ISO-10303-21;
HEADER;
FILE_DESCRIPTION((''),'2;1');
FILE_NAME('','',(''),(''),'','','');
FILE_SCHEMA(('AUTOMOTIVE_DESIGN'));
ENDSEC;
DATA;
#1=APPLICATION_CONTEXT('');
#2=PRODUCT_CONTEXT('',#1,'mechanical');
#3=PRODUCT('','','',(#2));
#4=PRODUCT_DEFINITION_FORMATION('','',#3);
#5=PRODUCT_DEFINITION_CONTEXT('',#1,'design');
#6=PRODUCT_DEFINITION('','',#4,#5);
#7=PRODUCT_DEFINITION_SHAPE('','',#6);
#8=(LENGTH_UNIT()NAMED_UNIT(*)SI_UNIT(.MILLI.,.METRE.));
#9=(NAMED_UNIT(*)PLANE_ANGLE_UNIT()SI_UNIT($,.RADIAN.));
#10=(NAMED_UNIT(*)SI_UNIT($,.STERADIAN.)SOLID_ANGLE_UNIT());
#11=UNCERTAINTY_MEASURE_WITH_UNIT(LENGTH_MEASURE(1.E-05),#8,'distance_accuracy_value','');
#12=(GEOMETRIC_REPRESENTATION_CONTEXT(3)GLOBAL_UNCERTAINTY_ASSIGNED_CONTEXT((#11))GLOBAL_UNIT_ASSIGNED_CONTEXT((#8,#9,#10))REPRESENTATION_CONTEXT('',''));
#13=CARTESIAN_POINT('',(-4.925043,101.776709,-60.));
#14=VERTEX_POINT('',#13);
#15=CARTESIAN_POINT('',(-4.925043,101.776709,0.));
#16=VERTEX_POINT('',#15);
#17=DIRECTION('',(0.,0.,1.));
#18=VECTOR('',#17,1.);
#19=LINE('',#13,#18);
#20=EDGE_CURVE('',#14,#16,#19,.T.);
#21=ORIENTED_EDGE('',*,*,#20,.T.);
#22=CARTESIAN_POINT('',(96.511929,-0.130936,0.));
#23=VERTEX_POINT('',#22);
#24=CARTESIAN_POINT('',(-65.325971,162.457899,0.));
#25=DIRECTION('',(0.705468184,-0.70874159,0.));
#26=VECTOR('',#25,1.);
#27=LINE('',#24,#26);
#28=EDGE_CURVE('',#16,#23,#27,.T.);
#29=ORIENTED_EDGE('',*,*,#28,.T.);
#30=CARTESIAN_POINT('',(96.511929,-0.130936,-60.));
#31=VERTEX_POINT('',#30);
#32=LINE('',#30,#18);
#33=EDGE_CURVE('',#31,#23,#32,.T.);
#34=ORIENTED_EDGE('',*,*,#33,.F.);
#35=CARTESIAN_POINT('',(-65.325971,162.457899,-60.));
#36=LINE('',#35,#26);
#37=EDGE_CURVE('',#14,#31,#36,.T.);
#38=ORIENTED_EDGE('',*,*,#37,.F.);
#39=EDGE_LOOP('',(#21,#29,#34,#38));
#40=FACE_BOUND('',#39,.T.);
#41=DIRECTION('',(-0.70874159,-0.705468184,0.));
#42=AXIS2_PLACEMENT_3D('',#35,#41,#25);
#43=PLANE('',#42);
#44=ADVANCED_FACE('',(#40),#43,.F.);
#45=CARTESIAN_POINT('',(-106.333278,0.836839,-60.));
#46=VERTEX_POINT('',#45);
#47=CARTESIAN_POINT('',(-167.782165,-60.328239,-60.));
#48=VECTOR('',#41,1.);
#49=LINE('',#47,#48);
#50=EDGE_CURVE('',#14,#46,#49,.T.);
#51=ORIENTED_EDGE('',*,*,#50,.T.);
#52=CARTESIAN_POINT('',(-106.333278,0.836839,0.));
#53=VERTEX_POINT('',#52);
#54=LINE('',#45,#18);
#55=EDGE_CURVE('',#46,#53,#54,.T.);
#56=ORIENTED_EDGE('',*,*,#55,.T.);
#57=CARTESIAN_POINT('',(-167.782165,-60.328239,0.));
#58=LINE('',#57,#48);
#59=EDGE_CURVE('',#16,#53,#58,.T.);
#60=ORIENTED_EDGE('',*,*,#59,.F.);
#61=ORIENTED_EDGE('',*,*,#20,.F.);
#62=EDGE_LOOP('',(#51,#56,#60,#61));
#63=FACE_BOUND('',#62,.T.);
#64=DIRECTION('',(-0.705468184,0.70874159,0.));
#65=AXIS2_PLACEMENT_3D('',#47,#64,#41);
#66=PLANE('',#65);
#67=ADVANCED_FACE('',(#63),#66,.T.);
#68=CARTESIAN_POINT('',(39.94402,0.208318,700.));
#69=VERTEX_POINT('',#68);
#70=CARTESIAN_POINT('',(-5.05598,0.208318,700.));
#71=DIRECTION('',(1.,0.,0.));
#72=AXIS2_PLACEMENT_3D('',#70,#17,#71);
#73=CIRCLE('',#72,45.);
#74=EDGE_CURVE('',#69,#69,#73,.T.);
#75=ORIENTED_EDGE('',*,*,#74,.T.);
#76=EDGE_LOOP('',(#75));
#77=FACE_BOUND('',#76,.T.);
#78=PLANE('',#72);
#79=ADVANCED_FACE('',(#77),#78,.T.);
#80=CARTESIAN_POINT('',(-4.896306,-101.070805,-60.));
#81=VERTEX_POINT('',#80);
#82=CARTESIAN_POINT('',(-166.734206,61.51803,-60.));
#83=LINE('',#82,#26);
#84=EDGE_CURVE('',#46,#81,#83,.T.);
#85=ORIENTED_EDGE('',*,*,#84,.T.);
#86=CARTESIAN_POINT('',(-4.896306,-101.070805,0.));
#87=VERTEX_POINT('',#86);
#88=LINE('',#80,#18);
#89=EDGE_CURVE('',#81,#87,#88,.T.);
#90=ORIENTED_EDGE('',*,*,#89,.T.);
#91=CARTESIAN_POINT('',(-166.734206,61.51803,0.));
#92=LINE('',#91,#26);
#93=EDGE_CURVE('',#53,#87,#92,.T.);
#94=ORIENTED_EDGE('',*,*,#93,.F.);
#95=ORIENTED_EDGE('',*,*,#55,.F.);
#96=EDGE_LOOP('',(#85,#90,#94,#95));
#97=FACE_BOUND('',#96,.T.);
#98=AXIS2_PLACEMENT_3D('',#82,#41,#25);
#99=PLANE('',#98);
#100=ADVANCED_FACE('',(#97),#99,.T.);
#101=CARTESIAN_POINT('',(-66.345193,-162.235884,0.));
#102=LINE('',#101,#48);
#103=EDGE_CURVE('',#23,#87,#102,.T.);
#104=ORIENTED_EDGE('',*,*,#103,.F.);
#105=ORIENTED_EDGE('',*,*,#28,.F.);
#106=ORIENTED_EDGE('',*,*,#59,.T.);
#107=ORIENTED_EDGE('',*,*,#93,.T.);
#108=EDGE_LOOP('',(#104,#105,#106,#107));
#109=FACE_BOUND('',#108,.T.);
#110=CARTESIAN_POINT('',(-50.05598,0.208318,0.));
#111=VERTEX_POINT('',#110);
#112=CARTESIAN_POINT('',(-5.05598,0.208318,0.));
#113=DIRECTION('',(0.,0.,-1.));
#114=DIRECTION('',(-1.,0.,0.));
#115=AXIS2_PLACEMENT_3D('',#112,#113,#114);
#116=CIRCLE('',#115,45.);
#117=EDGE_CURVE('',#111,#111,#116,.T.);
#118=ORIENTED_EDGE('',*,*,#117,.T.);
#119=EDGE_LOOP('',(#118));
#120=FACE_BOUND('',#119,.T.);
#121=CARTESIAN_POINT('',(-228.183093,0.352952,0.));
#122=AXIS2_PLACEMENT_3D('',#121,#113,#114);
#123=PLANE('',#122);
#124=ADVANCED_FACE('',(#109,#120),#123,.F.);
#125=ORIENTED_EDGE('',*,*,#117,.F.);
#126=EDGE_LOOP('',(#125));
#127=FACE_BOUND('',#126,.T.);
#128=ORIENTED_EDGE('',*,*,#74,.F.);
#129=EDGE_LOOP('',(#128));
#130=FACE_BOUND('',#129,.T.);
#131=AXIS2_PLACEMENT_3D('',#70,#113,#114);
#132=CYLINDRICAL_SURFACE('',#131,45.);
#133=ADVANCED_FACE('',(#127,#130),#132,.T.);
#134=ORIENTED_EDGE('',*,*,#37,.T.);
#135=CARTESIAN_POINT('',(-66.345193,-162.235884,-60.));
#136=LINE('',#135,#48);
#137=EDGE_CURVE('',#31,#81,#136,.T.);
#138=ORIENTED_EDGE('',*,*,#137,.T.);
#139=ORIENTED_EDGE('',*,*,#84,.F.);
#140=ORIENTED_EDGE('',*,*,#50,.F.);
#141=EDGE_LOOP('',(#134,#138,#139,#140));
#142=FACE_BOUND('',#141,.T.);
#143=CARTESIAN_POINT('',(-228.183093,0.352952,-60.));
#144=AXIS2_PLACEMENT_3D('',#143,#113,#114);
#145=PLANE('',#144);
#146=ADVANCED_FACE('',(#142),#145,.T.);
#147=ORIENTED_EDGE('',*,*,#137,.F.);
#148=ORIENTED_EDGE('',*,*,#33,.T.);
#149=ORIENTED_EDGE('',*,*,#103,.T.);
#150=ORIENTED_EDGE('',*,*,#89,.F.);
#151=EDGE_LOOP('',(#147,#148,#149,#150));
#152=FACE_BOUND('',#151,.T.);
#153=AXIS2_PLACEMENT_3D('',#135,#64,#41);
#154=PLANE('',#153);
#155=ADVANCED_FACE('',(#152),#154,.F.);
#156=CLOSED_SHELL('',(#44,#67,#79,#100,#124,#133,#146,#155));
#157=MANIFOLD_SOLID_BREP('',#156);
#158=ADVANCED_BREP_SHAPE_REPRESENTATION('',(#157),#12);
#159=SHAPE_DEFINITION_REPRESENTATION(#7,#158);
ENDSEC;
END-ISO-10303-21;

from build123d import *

# Parameters (mm, degrees)
ESQUISSE1_R        = 45
BOSS_EXTRU_8_DEPTH = 700
BOSS_EXTRU_9_START = 60
ESQUISSE6_R        = 45
BOSS_EXTRU_9_DEPTH = 60


with BuildPart() as part:
    # Esquisse1 → Boss.-Extru.8 (new body)
    with BuildSketch(Plane.XY):
        with Locations((-5.0559795, 0.208317709)):
            Circle(ESQUISSE1_R)
    extrude(amount=BOSS_EXTRU_8_DEPTH)

    # Esquisse6 → Boss.-Extru.9 (add)
    # profile 1 of 4: a face of its own
    with BuildSketch(Plane(origin=(0, 0, 0), x_dir=(-1, 0, 0), z_dir=(0, 0, -1)).offset(BOSS_EXTRU_9_START)):
        Polygon((4.92504327, 101.776708668), (106.333278208, 0.8368395), (4.896305663, -101.070805399), (-96.511929276, -0.13093623), align=None)
        with Locations((5.0559795, 0.208317709)):
            Circle(ESQUISSE6_R, mode=Mode.SUBTRACT)
    # profile 2 of 4: a face of its own
    with BuildSketch(Plane(origin=(0, 0, 0), x_dir=(-1, 0, 0), z_dir=(0, 0, -1)).offset(BOSS_EXTRU_9_START)):
        Polygon((5.0559795, 45.208317709), (49.764887249, 0.705903269), (4.765369432, -44.50241444), (-39.943538316, 0), align=None)
    # profile 3 of 4: a face of its own
    with BuildSketch(Plane(origin=(0, 0, 0), x_dir=(-1, 0, 0), z_dir=(0, 0, -1)).offset(BOSS_EXTRU_9_START)):
        with BuildLine():
            ThreePointArc((50.0559795, 0.208317709), (36.875784654, 32.028122862), (5.0559795, 45.208317709))
            Line((5.0559795, 45.208317709), (49.764887249, 0.705903269))
            Line((49.764887249, 0.705903269), (4.765369432, -44.50241444))
            Line((4.765369432, -44.50241444), (-39.943538316, 0))
            ThreePointArc((-39.943538316, 0), (5.160138634, -44.791561745), (50.0559795, 0.208317709))
        make_face()
    # profile 4 of 4: a face of its own
    with BuildSketch(Plane(origin=(0, 0, 0), x_dir=(-1, 0, 0), z_dir=(0, 0, -1)).offset(BOSS_EXTRU_9_START)):
        with BuildLine():
            Line((-39.943538316, 0), (5.0559795, 45.208317709))
            ThreePointArc((5.0559795, 45.208317709), (-26.837392044, 31.954385994), (-39.943538316, 0))
        make_face()
    extrude(amount=-BOSS_EXTRU_9_DEPTH)


solid = part.part
